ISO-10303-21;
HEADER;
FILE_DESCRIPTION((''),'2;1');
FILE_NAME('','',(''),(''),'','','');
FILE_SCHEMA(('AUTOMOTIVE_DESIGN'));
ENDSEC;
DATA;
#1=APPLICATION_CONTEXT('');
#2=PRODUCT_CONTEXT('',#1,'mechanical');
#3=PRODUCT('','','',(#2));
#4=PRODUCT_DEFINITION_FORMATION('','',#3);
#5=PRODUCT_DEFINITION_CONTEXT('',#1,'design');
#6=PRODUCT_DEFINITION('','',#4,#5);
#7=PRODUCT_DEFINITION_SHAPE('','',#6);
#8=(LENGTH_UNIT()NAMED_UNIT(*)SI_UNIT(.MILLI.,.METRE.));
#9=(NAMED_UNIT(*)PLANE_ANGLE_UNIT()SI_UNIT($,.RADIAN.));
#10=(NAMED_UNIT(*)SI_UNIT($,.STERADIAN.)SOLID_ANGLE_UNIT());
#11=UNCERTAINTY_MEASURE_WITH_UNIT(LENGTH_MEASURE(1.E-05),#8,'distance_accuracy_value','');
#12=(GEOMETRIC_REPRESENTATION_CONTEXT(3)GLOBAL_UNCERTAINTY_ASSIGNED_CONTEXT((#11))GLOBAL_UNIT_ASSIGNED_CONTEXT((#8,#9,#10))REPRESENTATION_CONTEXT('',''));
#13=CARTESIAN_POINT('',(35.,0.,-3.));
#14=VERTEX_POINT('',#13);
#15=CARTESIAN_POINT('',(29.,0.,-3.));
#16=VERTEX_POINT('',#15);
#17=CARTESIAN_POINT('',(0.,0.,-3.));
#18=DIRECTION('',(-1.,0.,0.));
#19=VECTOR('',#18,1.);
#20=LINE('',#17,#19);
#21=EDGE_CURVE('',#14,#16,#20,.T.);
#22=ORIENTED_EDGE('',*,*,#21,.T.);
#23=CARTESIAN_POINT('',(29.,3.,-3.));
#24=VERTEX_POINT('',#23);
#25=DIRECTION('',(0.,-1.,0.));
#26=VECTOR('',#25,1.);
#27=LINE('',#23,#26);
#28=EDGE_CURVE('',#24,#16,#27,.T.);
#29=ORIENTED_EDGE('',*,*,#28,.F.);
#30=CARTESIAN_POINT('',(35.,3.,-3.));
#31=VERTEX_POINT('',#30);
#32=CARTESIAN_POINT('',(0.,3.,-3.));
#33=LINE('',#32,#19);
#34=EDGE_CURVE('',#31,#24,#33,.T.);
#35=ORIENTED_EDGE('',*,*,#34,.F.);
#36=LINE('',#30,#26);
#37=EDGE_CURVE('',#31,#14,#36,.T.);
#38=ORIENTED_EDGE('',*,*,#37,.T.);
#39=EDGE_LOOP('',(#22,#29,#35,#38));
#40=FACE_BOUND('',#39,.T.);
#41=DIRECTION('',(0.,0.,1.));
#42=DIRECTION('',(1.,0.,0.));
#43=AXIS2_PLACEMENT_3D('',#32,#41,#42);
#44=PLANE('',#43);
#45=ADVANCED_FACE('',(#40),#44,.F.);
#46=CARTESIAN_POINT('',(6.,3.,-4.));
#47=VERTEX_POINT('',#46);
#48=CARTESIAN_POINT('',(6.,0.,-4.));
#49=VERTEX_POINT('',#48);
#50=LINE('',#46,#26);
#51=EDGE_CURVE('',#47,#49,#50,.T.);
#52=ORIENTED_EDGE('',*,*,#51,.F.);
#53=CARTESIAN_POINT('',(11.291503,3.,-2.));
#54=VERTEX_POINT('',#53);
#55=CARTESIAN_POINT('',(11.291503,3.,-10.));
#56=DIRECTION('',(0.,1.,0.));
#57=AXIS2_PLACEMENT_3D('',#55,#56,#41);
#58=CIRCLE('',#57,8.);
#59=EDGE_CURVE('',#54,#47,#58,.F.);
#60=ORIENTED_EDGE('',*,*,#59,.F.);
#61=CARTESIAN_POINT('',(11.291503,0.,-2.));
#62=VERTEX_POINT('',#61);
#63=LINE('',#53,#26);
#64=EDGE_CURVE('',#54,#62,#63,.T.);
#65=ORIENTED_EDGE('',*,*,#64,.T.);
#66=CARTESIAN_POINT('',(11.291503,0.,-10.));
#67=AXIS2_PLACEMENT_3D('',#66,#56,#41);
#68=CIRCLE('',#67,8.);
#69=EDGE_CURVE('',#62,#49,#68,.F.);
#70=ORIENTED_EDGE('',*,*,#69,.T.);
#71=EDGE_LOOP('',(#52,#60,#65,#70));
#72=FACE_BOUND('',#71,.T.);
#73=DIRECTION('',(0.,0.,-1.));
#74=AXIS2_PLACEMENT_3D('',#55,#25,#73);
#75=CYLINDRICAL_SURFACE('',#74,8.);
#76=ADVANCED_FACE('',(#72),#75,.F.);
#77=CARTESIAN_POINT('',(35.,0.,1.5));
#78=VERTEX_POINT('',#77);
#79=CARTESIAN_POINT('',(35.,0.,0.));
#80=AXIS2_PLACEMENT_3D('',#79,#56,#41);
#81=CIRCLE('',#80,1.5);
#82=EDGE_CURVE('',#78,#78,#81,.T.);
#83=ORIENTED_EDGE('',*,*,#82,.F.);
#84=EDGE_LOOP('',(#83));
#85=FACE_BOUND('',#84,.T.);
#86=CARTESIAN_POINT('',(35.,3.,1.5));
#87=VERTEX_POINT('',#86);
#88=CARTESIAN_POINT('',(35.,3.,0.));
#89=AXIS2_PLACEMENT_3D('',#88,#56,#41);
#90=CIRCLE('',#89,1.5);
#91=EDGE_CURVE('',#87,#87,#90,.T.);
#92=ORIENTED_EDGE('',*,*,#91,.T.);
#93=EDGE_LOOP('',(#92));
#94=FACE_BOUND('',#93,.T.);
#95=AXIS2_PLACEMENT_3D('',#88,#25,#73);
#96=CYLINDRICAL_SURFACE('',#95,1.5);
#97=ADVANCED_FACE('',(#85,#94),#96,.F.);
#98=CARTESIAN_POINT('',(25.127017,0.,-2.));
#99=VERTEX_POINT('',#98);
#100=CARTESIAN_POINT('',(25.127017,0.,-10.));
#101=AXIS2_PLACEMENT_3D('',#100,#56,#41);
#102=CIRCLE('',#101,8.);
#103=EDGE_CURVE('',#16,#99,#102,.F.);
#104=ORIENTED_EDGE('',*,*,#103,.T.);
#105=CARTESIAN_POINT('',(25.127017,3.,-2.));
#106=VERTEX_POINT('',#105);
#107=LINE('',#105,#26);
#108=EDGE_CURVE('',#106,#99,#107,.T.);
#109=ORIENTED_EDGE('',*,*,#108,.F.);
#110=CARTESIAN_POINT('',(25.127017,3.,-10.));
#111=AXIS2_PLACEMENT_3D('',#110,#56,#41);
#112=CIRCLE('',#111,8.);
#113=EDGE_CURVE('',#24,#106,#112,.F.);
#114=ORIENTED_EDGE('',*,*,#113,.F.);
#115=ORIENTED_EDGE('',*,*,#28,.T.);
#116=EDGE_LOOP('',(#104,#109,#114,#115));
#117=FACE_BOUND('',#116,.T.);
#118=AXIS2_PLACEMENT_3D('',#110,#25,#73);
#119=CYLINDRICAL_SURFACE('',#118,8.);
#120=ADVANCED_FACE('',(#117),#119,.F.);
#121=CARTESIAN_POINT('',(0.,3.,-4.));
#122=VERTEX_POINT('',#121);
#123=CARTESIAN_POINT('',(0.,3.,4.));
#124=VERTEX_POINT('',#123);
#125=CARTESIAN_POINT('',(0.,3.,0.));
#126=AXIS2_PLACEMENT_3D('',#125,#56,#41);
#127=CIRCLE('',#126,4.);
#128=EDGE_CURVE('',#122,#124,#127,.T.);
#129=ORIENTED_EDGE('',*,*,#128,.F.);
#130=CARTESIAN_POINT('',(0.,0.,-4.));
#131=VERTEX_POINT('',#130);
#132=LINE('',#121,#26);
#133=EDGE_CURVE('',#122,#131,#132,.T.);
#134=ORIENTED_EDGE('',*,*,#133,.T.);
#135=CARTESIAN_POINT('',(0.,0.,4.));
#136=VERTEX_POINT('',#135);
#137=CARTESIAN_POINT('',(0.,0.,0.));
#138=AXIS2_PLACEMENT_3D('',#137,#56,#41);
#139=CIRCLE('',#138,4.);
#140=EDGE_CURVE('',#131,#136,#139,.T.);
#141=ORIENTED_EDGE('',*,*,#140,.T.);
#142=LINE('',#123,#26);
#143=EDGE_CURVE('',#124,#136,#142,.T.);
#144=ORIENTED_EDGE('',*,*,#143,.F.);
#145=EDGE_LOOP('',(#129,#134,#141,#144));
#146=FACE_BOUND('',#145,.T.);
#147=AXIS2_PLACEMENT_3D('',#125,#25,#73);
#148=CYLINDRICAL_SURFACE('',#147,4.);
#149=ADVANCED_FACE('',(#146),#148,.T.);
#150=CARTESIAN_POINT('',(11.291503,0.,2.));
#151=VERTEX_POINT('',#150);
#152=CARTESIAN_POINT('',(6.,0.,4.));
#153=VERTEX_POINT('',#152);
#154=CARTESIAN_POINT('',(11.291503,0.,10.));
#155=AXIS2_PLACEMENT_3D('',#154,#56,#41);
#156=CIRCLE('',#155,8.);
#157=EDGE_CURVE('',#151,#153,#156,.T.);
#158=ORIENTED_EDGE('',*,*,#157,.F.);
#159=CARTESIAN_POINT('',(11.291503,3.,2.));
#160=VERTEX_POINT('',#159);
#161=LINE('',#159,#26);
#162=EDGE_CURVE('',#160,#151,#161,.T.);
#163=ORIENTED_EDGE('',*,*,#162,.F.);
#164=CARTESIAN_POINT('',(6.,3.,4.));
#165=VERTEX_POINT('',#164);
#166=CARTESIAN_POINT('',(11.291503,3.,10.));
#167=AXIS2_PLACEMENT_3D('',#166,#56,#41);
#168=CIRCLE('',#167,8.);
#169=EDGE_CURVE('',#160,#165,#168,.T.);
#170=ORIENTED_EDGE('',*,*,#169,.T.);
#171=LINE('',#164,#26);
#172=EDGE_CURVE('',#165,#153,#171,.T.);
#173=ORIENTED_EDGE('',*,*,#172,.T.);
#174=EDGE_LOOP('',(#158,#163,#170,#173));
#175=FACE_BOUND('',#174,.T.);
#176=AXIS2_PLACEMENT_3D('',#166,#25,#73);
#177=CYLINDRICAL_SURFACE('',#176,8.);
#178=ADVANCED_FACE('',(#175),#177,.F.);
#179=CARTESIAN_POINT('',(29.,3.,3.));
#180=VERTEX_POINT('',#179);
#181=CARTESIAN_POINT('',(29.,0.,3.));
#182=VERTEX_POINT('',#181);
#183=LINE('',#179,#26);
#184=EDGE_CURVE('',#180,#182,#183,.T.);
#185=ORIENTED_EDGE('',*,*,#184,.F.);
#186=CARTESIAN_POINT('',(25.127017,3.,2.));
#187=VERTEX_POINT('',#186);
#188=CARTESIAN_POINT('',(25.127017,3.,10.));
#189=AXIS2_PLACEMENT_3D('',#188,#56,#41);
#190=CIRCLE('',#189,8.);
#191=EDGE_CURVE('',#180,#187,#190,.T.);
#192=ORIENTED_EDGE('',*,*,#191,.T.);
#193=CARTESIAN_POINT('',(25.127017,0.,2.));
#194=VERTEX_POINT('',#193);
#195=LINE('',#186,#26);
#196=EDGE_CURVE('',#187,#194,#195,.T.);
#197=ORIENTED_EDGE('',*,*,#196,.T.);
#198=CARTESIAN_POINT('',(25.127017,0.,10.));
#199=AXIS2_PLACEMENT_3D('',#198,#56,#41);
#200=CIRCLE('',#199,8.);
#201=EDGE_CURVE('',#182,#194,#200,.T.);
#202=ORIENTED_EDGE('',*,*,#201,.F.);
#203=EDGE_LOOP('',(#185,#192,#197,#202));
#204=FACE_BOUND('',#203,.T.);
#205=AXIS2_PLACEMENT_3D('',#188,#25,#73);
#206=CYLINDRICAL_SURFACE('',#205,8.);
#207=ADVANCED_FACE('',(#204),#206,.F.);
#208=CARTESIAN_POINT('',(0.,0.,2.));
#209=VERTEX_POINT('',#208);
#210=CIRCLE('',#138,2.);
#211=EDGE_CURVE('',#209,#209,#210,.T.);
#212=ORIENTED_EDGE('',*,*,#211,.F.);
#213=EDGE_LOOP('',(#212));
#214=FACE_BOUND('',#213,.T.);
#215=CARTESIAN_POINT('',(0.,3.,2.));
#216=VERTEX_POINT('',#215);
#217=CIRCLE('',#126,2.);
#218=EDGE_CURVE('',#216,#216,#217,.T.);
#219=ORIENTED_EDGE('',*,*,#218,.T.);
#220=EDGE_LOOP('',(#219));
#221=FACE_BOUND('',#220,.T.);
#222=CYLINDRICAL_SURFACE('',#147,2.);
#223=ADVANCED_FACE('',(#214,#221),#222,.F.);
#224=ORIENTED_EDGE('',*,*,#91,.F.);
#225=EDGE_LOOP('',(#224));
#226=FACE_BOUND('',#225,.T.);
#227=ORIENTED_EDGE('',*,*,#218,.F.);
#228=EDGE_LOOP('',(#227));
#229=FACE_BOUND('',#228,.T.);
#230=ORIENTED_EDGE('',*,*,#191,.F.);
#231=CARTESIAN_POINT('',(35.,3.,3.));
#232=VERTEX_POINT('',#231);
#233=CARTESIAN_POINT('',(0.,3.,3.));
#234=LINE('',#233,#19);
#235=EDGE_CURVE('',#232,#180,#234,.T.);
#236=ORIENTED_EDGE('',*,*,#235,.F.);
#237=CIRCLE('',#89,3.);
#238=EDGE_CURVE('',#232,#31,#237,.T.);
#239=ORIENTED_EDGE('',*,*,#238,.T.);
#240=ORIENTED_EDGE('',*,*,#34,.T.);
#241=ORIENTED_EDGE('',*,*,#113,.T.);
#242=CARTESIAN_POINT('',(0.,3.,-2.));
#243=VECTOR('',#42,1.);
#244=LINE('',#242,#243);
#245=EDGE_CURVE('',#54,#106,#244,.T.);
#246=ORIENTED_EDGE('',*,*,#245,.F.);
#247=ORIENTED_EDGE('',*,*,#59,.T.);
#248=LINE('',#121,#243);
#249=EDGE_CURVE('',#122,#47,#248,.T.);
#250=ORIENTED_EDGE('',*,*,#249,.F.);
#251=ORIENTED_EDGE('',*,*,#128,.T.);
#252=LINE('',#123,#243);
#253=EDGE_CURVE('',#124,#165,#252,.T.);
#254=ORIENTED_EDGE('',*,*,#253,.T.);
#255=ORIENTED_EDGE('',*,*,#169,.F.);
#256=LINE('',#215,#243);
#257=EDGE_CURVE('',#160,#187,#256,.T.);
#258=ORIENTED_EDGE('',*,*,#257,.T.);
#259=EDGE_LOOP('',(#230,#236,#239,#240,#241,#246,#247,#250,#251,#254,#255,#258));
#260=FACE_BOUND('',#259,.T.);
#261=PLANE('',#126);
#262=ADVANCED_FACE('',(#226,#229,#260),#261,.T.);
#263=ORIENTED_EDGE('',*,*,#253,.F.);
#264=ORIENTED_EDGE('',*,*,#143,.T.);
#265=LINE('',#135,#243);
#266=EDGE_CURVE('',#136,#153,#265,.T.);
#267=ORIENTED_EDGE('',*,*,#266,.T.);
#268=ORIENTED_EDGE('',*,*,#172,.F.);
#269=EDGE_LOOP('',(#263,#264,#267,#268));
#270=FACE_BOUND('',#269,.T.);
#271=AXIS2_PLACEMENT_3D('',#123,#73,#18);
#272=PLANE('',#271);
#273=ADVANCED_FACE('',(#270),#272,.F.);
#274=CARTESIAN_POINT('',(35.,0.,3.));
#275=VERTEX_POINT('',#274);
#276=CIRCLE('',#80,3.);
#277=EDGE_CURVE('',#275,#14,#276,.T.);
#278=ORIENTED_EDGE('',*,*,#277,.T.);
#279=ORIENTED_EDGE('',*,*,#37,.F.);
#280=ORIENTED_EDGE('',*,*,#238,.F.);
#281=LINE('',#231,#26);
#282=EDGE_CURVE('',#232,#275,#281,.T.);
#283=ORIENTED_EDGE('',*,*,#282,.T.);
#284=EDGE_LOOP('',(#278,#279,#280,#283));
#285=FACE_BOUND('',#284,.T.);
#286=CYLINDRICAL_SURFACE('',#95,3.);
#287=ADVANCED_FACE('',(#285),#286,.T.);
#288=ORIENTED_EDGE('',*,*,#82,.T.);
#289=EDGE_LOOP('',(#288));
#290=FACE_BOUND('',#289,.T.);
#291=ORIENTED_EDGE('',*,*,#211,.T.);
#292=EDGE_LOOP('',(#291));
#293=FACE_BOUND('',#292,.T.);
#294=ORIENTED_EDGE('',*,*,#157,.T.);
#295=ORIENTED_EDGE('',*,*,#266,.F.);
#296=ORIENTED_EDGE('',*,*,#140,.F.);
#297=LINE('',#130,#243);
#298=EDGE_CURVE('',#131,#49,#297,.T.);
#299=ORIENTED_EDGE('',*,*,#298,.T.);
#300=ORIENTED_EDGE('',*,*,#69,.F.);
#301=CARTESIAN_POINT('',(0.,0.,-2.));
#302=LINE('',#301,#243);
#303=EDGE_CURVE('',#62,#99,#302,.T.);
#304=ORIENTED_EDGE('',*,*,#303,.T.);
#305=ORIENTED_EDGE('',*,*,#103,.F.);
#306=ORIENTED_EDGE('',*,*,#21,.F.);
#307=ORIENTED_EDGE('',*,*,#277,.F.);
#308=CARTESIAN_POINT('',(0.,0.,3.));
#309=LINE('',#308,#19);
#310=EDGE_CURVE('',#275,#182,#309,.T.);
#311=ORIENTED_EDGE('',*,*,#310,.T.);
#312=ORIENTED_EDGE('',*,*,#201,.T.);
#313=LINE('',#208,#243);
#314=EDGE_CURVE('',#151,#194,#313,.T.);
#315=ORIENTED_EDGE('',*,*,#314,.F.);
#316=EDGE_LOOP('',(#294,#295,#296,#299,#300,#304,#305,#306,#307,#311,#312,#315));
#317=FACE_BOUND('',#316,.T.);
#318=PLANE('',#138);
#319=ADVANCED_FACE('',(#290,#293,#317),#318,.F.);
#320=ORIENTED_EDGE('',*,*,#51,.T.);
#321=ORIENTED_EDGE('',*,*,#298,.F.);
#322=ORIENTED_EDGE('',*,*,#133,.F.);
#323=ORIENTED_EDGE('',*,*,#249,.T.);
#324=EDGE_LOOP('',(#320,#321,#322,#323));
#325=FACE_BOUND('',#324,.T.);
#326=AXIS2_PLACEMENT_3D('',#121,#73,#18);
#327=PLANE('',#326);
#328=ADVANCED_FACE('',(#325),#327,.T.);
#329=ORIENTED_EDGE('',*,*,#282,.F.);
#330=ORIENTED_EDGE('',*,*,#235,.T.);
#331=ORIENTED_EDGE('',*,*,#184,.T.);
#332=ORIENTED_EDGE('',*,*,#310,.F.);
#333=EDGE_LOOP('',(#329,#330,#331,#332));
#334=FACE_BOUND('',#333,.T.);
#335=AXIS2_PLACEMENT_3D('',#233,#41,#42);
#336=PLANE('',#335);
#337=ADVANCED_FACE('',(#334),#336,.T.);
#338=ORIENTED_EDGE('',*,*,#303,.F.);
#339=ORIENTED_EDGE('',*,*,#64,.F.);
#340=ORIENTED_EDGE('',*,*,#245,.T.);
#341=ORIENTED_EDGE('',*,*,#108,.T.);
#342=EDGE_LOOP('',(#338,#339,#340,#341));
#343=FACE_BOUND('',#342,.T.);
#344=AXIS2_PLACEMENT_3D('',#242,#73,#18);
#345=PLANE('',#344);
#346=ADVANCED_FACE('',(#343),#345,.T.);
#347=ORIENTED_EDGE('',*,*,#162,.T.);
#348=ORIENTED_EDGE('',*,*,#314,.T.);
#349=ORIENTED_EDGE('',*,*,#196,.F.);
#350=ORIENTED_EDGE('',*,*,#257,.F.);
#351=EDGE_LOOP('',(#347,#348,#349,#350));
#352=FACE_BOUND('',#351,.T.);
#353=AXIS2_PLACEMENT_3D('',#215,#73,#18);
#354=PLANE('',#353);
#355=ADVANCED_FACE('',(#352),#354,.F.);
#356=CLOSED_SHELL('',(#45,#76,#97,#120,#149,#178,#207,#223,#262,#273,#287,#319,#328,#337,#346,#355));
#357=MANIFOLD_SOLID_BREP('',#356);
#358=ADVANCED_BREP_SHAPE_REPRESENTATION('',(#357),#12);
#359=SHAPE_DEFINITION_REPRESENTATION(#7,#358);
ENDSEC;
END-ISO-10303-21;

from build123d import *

# Parameters (mm, degrees)
SKETCH_1_R      = 2
SKETCH_1_R_2    = 1.5
EXTRUDE_1_DEPTH = 3


with BuildPart() as part:
    # Эскиз1 → Бобышка-Вытянуть1 (new body)
    with BuildSketch(Plane(origin=(0, 0, 0), x_dir=(1, 0, 0), z_dir=(0, 1, 0))):
        with BuildLine():
            Line((0, -4), (6, -4))
            ThreePointArc((6, -4), (8.463075497, -2.516685226), (11.291502622, -2))
            Line((11.291502622, -2), (25.127016654, -2))
            ThreePointArc((25.127016654, -2), (27.127016654, -2.254033308), (29, -3))
            Line((29, -3), (35, -3))
            ThreePointArc((35, -3), (38, 0), (35, 3))
            Line((35, 3), (29, 3))
            ThreePointArc((29, 3), (27.127016654, 2.254033308), (25.127016654, 2))
            Line((25.127016654, 2), (11.291502622, 2))
            ThreePointArc((11.291502622, 2), (8.463075497, 2.516685226), (6, 4))
            Line((6, 4), (0, 4))
            ThreePointArc((0, 4), (-4, 0), (0, -4))
        make_face()
        Circle(SKETCH_1_R, mode=Mode.SUBTRACT)
        with Locations((35, 0)):
            Circle(SKETCH_1_R_2, mode=Mode.SUBTRACT)
    extrude(amount=EXTRUDE_1_DEPTH)


solid = part.part
